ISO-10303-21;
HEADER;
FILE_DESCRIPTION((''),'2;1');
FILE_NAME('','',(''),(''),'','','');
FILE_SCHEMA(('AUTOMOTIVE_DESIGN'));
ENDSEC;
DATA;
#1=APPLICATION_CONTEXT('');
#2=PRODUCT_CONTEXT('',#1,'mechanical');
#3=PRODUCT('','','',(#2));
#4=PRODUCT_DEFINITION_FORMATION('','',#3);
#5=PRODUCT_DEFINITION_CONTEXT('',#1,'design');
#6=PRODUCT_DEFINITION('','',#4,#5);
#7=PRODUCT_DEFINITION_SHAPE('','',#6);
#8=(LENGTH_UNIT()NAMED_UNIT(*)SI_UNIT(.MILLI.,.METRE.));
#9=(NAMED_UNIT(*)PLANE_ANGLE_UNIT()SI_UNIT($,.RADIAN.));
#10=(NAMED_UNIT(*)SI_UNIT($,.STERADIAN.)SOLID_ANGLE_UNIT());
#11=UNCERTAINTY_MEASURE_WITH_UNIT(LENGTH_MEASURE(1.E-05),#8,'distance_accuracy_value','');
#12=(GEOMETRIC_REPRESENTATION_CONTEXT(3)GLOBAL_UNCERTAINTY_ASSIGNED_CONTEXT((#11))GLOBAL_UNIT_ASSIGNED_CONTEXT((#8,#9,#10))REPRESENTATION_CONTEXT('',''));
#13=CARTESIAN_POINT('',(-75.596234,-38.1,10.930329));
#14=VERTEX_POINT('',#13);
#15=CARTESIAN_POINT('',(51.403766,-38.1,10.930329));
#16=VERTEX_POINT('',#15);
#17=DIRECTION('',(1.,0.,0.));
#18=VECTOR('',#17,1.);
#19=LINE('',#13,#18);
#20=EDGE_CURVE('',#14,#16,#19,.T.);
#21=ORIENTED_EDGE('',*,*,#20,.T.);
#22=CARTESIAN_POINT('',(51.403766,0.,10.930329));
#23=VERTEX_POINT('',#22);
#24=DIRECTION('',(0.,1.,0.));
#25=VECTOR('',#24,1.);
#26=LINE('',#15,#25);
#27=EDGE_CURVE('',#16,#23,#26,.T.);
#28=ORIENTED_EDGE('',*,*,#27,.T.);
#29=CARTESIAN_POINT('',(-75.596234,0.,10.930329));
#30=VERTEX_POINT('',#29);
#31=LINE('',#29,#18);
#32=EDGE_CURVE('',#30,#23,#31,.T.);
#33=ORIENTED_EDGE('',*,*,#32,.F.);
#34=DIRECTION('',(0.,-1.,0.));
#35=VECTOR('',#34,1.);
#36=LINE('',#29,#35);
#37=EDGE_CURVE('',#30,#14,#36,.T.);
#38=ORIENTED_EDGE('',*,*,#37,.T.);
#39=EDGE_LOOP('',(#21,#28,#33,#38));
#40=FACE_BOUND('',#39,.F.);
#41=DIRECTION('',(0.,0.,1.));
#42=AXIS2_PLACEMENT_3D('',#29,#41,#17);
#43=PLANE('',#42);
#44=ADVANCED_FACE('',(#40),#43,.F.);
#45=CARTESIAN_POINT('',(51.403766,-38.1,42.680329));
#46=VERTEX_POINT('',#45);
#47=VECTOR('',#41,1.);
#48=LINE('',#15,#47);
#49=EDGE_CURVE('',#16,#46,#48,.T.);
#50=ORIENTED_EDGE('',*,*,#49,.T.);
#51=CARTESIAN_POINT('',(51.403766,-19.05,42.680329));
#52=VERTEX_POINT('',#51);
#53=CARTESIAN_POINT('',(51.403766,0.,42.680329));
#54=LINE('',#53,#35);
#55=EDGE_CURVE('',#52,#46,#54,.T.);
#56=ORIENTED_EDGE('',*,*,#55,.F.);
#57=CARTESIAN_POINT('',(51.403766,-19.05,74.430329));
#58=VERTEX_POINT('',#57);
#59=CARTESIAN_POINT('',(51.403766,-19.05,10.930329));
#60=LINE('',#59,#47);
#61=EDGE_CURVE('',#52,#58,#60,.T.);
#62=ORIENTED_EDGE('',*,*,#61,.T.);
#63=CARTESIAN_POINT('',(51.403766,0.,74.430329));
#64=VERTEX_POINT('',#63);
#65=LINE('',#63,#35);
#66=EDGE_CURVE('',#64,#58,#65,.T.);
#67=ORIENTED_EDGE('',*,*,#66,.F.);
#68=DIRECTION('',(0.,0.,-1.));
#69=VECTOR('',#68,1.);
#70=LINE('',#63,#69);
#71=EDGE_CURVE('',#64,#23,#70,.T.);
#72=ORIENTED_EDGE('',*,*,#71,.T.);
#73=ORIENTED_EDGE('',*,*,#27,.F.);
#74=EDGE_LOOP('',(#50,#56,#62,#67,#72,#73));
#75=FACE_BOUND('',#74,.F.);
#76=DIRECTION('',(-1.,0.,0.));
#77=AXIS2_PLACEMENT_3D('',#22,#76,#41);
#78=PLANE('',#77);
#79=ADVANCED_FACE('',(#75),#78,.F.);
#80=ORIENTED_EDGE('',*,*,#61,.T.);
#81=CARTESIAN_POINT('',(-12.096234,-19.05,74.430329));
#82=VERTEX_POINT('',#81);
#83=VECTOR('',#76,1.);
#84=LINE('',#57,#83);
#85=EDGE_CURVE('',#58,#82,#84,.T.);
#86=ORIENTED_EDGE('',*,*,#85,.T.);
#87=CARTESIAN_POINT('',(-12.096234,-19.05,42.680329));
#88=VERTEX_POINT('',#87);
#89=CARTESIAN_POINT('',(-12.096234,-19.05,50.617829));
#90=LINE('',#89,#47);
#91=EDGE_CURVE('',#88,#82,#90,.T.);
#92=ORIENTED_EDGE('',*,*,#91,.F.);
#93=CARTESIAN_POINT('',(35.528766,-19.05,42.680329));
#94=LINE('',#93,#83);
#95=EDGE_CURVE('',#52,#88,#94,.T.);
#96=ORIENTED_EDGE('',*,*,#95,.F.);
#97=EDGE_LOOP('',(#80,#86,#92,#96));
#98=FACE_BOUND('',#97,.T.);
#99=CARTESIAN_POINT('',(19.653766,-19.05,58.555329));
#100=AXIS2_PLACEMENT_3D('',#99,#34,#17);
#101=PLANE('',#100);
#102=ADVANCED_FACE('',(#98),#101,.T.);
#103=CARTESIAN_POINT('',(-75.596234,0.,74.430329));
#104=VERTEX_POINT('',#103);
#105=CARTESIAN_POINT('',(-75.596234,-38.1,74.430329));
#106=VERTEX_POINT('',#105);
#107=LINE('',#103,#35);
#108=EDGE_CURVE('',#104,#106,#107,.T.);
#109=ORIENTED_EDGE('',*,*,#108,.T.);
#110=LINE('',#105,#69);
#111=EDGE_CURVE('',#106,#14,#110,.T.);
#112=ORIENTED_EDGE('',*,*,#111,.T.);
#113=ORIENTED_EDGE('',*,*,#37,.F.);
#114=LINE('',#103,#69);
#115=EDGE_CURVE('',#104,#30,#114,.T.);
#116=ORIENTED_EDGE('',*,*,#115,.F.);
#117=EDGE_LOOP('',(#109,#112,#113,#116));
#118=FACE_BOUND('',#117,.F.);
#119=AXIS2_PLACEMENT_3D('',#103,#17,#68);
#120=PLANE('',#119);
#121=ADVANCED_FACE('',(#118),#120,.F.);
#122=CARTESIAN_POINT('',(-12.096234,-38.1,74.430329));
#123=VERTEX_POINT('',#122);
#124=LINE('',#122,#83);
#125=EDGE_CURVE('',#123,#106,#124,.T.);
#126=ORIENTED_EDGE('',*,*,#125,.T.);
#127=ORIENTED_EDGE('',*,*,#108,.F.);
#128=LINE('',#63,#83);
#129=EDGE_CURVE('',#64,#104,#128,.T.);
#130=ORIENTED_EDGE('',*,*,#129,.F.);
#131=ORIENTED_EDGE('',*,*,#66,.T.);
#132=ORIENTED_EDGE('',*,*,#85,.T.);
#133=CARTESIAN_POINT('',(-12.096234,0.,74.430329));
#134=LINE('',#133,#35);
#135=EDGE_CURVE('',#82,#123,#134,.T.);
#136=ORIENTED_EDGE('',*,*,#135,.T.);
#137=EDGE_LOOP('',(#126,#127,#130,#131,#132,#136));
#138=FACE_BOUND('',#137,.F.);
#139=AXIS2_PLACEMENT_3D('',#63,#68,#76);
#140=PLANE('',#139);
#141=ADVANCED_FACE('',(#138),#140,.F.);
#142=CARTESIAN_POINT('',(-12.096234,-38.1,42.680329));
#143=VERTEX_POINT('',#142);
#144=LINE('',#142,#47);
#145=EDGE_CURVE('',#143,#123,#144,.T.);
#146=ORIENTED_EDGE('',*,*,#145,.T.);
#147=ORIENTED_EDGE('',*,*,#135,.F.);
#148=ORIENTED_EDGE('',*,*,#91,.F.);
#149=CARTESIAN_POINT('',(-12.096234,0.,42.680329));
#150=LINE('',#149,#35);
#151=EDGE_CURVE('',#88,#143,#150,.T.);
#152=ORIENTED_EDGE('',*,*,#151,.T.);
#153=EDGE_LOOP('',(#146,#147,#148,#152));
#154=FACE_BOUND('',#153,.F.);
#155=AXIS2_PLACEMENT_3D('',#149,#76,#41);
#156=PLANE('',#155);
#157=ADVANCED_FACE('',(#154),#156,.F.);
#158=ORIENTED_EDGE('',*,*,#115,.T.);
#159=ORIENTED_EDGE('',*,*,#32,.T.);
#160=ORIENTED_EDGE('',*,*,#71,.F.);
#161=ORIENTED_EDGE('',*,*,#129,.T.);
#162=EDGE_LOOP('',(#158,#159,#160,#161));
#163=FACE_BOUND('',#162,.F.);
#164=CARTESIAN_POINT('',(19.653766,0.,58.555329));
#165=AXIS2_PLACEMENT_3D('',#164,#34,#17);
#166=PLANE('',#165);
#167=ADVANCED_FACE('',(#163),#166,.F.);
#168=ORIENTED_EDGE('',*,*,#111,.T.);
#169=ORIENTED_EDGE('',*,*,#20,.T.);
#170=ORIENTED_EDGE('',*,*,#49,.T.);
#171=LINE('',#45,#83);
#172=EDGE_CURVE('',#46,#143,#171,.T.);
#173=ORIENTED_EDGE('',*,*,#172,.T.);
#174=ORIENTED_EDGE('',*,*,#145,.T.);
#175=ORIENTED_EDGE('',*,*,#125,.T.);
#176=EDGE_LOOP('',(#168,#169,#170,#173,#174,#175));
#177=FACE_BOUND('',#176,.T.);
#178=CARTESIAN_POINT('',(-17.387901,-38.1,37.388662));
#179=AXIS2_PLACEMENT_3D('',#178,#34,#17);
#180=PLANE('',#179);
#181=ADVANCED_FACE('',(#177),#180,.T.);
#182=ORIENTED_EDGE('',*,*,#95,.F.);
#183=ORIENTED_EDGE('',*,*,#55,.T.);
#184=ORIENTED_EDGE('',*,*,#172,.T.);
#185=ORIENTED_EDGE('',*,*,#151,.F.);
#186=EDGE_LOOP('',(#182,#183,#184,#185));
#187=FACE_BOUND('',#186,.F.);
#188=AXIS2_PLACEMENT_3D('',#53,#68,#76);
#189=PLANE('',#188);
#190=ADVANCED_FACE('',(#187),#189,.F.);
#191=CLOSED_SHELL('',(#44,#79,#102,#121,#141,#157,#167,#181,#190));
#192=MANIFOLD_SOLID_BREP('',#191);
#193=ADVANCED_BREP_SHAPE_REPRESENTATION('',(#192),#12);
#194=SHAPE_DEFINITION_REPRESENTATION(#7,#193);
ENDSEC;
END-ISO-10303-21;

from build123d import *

# Parameters (mm, degrees)
F1_DEPTH = 38.1
F0_W     = 63.5
F0_H     = 31.75
F2_DEPTH = 19.05


with BuildPart() as f1:
    # F0 (on Front) → F1 (new body)
    with BuildSketch(Plane.XZ):
        Polygon((-12.096234, 74.430329), (-75.596234, 74.430329), (-75.596234, 10.930329), (51.403766, 10.930329), (51.403766, 42.680329), (-12.096234, 42.680329), align=None)
    extrude(amount=F1_DEPTH)

    # F0 (on Front) → F2 (join)
    with BuildSketch(Plane.XZ):
        with Locations((19.653766, 58.555329)):
            Rectangle(F0_W, F0_H)
        Polygon((-12.096234, 74.430329), (-75.596234, 74.430329), (-75.596234, 10.930329), (51.403766, 10.930329), (51.403766, 42.680329), (-12.096234, 42.680329), align=None)
    extrude(amount=F2_DEPTH)


solid = f1.part
